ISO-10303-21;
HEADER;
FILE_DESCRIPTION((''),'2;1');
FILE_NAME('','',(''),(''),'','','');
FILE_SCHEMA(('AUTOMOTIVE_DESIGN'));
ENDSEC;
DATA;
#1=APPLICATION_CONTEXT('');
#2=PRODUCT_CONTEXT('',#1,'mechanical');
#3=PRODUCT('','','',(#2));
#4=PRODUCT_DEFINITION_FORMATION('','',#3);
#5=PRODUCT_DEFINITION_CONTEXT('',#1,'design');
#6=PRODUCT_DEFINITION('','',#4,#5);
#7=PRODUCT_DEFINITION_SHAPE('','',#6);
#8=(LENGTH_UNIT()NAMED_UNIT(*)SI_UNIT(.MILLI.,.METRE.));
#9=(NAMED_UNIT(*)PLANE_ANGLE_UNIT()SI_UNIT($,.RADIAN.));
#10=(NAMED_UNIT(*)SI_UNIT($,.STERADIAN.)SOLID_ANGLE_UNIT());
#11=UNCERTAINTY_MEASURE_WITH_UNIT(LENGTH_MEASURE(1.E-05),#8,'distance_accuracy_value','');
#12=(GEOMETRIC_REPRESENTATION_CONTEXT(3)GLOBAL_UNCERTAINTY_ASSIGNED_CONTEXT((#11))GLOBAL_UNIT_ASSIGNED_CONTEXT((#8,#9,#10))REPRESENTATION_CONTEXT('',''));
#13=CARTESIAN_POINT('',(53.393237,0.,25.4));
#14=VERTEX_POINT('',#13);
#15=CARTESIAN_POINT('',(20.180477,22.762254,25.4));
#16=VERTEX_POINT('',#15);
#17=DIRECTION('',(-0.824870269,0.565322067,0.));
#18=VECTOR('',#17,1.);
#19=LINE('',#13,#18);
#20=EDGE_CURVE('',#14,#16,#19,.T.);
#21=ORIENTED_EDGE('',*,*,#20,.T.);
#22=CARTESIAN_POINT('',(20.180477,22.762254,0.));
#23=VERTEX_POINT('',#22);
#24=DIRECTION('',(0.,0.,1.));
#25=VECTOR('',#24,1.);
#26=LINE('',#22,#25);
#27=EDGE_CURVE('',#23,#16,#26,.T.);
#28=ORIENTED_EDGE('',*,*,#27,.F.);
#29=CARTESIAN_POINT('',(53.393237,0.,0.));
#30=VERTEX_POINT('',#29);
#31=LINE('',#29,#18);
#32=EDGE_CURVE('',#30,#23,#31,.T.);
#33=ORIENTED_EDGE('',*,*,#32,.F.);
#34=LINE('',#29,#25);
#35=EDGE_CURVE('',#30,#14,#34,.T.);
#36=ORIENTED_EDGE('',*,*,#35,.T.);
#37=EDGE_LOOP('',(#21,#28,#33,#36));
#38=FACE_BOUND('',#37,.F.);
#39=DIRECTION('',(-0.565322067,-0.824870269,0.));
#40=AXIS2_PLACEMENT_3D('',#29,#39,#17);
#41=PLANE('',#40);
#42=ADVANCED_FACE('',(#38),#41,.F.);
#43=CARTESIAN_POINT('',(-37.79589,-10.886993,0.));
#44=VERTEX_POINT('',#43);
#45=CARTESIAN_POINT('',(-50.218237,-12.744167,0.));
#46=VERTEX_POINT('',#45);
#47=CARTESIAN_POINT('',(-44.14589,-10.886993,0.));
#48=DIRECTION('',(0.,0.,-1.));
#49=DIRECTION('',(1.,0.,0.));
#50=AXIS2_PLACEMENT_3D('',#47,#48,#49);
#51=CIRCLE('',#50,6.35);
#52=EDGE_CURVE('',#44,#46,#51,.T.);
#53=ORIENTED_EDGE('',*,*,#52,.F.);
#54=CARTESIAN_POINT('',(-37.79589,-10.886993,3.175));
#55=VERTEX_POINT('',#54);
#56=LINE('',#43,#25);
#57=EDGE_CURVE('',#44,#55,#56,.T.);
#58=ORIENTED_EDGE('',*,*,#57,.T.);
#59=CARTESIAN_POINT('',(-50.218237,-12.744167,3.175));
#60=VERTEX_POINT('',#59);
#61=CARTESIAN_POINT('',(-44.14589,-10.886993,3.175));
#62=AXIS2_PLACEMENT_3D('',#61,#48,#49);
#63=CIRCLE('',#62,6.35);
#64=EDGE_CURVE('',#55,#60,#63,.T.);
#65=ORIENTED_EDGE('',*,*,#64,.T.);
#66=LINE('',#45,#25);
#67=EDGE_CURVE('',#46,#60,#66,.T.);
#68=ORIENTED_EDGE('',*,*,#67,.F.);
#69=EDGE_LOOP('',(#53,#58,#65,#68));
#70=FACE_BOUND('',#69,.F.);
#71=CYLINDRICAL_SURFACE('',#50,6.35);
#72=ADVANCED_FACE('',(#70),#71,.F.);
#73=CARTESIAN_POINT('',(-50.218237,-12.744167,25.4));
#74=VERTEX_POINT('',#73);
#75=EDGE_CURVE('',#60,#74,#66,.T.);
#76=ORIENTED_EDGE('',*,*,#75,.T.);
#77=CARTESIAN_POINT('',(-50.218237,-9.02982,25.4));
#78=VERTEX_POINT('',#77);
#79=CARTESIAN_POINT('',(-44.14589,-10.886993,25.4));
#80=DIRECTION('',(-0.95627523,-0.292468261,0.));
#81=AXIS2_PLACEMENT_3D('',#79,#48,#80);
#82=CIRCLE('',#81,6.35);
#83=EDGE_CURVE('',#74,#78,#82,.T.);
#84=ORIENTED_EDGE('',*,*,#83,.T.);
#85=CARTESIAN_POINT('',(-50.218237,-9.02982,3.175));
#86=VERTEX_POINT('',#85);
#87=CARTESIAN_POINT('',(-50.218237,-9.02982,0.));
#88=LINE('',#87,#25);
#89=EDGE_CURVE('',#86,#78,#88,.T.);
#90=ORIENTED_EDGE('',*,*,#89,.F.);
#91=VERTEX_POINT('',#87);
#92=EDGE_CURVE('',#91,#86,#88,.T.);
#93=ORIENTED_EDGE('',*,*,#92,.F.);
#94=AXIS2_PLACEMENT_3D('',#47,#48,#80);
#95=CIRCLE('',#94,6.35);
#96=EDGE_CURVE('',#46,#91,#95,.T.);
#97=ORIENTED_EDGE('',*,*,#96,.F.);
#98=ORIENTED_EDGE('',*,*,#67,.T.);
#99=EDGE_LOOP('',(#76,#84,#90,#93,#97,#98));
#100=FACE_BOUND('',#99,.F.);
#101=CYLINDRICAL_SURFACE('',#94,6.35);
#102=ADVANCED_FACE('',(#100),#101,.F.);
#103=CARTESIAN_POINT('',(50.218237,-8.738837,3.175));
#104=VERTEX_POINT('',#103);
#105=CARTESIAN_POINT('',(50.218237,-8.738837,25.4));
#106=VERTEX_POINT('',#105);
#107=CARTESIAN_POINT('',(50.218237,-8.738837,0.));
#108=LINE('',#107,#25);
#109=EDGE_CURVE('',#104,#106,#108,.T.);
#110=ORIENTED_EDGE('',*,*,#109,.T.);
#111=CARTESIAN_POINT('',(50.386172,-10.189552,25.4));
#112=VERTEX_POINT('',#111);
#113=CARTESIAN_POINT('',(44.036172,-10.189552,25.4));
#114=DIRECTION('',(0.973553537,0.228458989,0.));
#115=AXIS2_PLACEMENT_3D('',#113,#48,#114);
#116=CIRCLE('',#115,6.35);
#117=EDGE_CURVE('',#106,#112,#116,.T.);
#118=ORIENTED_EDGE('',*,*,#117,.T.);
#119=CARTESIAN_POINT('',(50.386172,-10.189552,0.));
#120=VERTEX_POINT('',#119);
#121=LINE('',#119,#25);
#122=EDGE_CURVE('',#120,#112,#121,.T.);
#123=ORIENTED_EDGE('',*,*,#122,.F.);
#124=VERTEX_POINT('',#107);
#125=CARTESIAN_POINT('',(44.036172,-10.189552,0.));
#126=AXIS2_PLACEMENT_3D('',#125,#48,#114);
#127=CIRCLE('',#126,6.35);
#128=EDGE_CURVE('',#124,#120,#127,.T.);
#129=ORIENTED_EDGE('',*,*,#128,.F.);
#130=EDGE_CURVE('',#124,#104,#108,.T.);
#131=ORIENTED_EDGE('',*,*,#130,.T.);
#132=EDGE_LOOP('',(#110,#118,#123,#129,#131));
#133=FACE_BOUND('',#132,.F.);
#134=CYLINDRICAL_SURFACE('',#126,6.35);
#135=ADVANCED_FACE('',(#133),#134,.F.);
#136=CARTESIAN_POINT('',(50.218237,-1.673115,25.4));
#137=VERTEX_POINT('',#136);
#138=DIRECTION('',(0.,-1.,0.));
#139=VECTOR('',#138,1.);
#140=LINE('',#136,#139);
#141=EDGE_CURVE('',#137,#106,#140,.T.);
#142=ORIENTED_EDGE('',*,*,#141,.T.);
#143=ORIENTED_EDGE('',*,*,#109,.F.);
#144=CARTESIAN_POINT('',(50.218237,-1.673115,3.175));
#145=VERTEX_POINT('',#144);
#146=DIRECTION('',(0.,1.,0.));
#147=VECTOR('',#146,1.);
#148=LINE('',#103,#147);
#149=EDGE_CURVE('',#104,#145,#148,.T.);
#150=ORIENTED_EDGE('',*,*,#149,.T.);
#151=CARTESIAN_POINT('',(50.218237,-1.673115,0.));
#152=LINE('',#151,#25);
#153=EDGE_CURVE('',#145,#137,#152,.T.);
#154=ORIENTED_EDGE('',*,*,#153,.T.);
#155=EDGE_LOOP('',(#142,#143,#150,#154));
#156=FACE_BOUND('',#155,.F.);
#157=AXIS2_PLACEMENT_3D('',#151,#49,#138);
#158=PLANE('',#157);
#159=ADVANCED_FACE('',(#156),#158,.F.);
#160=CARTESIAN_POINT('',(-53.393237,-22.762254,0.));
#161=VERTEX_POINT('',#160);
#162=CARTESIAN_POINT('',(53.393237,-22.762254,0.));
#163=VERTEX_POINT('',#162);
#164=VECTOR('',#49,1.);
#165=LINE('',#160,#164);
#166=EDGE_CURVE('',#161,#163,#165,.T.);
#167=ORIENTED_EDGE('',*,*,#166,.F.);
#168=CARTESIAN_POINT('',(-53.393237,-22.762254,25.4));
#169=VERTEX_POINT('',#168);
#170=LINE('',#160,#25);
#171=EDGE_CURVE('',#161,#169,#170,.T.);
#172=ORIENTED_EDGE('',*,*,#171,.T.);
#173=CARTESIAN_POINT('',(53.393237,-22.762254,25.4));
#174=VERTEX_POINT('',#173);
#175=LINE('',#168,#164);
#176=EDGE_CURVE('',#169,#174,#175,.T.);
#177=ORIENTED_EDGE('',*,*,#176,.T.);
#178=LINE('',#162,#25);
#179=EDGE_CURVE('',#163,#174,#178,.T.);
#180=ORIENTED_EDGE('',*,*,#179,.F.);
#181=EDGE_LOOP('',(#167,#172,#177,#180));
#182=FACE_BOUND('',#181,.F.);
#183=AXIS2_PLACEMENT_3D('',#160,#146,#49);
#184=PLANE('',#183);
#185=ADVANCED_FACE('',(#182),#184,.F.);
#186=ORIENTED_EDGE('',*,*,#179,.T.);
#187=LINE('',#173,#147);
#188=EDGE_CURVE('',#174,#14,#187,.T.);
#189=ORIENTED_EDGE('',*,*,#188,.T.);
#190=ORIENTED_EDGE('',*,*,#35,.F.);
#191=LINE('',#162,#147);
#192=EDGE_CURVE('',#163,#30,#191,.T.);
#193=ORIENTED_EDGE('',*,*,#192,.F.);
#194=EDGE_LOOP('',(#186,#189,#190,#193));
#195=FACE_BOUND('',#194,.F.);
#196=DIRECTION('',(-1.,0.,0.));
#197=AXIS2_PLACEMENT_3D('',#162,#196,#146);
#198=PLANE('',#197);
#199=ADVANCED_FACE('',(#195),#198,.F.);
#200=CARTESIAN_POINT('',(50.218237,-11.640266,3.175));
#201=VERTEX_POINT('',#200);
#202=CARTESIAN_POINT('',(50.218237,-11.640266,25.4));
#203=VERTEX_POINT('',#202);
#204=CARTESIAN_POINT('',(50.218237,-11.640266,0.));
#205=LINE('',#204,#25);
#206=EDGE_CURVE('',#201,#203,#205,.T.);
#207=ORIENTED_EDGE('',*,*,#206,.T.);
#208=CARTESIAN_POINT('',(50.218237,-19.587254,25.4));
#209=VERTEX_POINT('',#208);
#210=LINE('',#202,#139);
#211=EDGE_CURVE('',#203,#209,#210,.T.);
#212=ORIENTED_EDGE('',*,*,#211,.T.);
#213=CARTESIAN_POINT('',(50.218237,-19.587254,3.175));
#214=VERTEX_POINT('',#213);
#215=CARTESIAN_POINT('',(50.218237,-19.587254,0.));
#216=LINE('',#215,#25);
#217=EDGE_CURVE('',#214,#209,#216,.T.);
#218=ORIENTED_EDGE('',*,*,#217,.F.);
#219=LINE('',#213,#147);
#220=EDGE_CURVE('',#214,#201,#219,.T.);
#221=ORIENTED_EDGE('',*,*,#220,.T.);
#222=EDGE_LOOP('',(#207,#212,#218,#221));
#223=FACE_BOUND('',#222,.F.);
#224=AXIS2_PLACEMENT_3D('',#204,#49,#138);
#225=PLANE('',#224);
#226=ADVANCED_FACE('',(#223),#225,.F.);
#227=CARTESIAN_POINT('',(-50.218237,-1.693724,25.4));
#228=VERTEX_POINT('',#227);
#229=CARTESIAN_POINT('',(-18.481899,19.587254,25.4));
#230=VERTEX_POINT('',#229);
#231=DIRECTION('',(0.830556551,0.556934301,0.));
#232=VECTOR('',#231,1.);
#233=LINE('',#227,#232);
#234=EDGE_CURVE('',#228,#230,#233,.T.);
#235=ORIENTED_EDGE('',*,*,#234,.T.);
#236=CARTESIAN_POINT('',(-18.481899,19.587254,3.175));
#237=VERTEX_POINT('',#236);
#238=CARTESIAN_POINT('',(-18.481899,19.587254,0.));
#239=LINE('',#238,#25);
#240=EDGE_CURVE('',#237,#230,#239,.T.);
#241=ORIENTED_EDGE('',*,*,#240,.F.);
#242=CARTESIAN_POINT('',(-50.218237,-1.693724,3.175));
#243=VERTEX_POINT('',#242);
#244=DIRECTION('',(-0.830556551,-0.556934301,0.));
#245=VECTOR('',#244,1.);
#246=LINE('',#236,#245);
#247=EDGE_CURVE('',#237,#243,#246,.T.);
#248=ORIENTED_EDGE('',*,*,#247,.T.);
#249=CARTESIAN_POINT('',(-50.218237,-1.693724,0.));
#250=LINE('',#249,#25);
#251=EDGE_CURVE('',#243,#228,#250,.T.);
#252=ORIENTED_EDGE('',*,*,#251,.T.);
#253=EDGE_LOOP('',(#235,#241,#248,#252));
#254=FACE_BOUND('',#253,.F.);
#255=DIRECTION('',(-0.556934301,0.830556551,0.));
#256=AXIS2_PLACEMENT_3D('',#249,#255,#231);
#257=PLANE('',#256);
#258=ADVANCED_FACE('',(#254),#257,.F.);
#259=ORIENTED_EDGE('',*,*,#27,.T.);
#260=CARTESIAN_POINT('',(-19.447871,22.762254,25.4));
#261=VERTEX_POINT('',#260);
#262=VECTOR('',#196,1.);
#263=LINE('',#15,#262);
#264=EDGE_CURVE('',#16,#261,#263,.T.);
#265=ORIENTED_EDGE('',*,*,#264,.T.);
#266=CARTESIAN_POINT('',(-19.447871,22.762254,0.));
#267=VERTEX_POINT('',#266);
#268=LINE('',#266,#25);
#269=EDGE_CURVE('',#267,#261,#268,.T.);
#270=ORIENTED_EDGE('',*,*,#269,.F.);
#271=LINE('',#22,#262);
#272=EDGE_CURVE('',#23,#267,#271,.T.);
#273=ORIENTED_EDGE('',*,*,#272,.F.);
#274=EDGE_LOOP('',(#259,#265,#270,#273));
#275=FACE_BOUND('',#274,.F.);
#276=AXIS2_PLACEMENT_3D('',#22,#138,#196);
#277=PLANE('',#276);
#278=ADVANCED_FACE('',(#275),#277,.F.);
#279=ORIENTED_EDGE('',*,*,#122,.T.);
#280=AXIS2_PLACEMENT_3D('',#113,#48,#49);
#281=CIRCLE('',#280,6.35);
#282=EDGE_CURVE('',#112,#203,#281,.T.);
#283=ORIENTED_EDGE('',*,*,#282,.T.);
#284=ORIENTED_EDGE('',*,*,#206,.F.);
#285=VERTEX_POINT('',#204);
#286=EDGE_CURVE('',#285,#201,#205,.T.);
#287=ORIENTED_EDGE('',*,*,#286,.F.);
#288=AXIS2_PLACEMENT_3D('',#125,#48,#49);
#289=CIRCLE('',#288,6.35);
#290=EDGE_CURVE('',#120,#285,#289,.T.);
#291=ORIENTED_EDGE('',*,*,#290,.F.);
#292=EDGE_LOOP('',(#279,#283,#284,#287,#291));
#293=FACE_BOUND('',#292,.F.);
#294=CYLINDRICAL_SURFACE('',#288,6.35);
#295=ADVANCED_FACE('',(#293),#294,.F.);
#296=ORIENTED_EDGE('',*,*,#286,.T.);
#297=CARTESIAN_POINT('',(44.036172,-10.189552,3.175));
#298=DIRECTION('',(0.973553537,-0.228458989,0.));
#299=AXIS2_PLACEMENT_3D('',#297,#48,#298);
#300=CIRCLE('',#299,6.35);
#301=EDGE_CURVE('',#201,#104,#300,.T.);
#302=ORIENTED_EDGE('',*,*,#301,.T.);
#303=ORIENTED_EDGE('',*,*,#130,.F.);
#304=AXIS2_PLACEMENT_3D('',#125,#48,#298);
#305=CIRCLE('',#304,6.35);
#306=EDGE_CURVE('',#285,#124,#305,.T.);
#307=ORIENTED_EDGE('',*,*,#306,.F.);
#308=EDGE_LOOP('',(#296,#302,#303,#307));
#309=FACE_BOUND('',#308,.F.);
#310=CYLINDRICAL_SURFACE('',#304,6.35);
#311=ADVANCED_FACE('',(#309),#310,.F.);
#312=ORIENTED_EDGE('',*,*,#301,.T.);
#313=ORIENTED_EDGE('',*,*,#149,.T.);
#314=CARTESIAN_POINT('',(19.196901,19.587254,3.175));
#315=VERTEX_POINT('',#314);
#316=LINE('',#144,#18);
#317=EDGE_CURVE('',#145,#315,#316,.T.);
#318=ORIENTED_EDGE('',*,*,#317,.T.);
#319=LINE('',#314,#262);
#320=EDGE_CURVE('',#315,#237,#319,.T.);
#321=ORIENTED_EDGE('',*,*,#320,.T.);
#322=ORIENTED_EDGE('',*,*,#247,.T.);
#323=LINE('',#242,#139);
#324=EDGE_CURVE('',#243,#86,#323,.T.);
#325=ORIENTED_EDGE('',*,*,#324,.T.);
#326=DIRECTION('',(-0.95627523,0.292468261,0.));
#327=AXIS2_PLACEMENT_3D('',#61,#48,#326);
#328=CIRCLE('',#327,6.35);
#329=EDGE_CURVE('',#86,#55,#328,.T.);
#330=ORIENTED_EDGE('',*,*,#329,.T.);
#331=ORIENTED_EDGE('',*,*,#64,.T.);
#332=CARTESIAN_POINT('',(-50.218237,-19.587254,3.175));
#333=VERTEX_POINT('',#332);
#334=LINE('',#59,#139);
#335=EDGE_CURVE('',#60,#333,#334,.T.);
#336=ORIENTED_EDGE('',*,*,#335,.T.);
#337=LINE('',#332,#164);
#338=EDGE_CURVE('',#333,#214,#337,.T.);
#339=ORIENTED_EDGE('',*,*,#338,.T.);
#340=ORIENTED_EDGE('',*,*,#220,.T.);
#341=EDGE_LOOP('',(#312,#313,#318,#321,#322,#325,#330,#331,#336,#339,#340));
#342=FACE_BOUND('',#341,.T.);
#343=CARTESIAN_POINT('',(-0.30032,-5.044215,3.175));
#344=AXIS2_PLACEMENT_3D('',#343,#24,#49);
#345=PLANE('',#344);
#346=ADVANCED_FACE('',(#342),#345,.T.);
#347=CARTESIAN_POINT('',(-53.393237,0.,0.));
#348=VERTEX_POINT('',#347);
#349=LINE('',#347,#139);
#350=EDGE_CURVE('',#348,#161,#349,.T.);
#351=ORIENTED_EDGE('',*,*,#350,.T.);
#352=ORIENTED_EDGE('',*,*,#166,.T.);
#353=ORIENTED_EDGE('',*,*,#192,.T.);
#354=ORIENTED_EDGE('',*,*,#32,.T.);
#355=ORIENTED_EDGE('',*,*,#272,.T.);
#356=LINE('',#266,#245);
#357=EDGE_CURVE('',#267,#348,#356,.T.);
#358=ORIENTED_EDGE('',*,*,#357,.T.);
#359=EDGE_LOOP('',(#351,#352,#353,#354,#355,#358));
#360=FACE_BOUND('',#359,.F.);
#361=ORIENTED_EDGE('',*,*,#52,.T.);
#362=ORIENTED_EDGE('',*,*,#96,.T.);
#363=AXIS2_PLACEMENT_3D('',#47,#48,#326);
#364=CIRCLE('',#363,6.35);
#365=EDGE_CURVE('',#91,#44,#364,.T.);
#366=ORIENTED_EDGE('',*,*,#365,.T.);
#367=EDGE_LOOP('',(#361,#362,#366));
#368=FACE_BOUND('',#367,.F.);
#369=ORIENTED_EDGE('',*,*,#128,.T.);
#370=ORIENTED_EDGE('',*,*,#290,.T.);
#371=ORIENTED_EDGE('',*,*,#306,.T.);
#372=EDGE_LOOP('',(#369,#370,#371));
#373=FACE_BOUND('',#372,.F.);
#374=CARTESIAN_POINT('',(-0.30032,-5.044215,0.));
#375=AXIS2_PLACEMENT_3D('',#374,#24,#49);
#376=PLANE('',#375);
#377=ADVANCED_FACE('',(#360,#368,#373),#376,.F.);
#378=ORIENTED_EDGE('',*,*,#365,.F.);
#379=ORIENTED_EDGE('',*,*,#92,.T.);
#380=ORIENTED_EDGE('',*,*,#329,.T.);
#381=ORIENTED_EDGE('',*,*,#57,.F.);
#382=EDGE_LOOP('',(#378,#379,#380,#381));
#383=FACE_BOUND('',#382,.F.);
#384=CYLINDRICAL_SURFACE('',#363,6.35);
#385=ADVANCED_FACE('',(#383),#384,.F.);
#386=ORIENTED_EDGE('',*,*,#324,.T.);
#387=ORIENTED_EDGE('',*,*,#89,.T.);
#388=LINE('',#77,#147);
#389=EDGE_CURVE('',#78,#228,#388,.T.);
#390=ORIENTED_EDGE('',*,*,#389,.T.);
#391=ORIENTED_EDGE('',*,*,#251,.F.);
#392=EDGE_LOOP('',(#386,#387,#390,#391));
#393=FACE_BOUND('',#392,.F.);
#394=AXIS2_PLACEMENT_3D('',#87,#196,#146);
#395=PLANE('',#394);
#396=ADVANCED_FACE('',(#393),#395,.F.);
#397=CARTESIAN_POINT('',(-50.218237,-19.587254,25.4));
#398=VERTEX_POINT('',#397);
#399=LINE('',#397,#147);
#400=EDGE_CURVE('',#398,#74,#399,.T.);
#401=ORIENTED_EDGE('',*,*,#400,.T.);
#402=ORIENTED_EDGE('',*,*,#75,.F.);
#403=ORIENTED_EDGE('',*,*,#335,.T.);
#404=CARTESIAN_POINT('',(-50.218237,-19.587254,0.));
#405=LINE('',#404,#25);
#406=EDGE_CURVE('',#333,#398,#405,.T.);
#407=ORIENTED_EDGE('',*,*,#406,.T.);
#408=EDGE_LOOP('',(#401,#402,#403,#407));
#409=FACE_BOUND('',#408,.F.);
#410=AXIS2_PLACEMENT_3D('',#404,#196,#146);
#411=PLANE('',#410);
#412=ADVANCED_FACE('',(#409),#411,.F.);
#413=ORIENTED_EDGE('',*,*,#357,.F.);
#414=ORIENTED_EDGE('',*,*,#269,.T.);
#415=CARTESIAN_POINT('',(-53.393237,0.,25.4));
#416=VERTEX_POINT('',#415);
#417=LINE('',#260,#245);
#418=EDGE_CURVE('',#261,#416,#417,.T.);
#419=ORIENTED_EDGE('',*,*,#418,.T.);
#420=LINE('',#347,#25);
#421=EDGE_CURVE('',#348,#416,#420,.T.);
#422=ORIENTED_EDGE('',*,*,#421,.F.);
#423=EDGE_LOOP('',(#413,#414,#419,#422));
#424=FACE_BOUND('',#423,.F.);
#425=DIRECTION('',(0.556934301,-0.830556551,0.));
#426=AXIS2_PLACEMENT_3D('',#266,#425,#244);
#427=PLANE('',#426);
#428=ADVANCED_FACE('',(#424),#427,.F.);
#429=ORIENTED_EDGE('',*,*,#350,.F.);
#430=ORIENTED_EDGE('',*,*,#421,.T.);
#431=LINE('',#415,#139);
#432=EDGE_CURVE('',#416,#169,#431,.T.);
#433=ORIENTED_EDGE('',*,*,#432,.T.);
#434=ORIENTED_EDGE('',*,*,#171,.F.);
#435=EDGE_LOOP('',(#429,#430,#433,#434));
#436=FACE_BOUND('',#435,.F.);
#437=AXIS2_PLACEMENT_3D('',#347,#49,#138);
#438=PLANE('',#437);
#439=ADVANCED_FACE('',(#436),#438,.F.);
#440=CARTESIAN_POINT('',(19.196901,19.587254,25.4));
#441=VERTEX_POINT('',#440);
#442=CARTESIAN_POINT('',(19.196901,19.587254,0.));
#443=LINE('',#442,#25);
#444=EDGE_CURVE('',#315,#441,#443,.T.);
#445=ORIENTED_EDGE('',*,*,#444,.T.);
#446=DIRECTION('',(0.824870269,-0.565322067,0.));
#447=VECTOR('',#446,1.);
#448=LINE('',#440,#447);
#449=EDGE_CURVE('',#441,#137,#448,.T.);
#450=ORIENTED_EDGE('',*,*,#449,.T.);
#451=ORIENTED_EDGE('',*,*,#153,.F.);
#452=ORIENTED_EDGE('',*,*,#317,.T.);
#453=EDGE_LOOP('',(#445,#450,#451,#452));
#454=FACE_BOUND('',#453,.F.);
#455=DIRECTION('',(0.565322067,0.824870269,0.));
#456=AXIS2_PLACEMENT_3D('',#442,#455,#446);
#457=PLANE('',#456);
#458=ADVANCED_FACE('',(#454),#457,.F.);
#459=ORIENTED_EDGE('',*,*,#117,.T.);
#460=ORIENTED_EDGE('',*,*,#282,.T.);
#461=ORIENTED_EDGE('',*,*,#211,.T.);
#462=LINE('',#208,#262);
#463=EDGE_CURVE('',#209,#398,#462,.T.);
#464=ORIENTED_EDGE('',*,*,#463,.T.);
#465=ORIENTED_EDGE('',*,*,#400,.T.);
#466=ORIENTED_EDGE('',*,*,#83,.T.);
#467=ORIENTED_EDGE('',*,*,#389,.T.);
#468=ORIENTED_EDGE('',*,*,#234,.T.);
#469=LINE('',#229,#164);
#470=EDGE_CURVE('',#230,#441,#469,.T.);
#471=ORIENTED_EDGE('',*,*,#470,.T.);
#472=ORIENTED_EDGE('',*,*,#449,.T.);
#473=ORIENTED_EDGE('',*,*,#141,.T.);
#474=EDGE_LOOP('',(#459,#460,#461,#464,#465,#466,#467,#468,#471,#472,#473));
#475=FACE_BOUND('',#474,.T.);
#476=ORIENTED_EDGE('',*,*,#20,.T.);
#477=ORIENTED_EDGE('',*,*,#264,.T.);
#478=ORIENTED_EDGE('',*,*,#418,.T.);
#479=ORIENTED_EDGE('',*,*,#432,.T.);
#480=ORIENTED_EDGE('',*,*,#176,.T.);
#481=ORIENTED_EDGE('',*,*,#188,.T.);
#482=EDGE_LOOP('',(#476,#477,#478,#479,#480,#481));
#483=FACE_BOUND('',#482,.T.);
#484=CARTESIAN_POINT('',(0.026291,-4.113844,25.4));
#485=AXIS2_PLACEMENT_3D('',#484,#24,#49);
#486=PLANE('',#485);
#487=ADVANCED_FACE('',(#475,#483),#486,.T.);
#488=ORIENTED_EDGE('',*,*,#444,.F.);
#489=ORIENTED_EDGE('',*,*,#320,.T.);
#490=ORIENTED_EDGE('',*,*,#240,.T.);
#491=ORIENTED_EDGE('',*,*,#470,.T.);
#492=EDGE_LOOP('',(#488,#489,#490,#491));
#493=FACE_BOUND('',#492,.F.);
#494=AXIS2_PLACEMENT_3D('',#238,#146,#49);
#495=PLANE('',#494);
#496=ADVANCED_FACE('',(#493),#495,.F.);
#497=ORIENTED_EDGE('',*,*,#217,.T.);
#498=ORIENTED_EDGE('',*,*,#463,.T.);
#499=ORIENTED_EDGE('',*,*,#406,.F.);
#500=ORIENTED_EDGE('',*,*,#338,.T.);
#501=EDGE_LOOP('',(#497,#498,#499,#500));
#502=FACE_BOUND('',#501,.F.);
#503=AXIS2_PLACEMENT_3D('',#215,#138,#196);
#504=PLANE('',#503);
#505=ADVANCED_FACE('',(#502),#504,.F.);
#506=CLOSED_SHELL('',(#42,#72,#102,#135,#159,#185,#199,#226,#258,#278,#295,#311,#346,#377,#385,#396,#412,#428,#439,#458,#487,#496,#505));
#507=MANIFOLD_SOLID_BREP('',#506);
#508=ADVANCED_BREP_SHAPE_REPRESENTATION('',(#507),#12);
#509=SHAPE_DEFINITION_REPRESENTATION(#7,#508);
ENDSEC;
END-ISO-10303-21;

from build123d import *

# Parameters (mm, degrees)
F1_DEPTH = 25.4
F2_DEPTH = 3.175


with BuildPart() as f1:
    # F0 (on Top) → F1 (new body)
    with BuildSketch(Plane.XY):
        Polygon((-53.3932372928, -22.7622538805), (53.3932372928, -22.7622538805), (53.3932372928, 0), (20.1804766856, 22.7622538805), (-19.4478705525, 22.7622538805), (-53.3932372928, 0), align=None)
        with BuildLine():
            Line((50.2182372928, -11.6402664429), (50.2182372928, -19.5872538805))
            Line((50.2182372928, -19.5872538805), (-50.2182372928, -19.5872538805))
            Line((-50.2182372928, -19.5872538805), (-50.2182372928, -12.7441667186))
            ThreePointArc((-50.2182372928, -12.7441667186), (-50.4958895802, -10.8869932592), (-50.2182372928, -9.0298197998))
            Line((-50.2182372928, -9.0298197998), (-50.2182372928, -1.6937240379))
            Line((-50.2182372928, -1.6937240379), (-18.4818985354, 19.5872538805))
            Line((-18.4818985354, 19.5872538805), (19.1969012537, 19.5872538805))
            Line((19.1969012537, 19.5872538805), (50.2182372928, -1.6731145359))
            Line((50.2182372928, -1.6731145359), (50.2182372928, -8.7388372773))
            ThreePointArc((50.2182372928, -8.7388372773), (50.3440488555, -9.459350693), (50.3861723304, -10.1895518601))
            ThreePointArc((50.3861723304, -10.1895518601), (50.3440488555, -10.9197530272), (50.2182372928, -11.6402664429))
        make_face(mode=Mode.SUBTRACT)
    extrude(amount=F1_DEPTH)

    # F0 (on Top) → F2 (join)
    with BuildSketch(Plane.XY):
        with BuildLine():
            Line((-50.2182372928, -19.5872538805), (50.2182372928, -19.5872538805))
            Line((50.2182372928, -19.5872538805), (50.2182372928, -11.6402664429))
            ThreePointArc((50.2182372928, -11.6402664429), (37.6861723304, -10.1895518601), (50.2182372928, -8.7388372773))
            Line((50.2182372928, -8.7388372773), (50.2182372928, -1.6731145359))
            Line((50.2182372928, -1.6731145359), (19.1969012537, 19.5872538805))
            Line((19.1969012537, 19.5872538805), (-18.4818985354, 19.5872538805))
            Line((-18.4818985354, 19.5872538805), (-50.2182372928, -1.6937240379))
            Line((-50.2182372928, -1.6937240379), (-50.2182372928, -9.0298197998))
            ThreePointArc((-50.2182372928, -9.0298197998), (-43.2069827623, -4.6067899196), (-37.7958895802, -10.8869932592))
            ThreePointArc((-37.7958895802, -10.8869932592), (-43.2069827623, -17.1671965988), (-50.2182372928, -12.7441667186))
            Line((-50.2182372928, -12.7441667186), (-50.2182372928, -19.5872538805))
        make_face()
    extrude(amount=F2_DEPTH)


solid = f1.part
